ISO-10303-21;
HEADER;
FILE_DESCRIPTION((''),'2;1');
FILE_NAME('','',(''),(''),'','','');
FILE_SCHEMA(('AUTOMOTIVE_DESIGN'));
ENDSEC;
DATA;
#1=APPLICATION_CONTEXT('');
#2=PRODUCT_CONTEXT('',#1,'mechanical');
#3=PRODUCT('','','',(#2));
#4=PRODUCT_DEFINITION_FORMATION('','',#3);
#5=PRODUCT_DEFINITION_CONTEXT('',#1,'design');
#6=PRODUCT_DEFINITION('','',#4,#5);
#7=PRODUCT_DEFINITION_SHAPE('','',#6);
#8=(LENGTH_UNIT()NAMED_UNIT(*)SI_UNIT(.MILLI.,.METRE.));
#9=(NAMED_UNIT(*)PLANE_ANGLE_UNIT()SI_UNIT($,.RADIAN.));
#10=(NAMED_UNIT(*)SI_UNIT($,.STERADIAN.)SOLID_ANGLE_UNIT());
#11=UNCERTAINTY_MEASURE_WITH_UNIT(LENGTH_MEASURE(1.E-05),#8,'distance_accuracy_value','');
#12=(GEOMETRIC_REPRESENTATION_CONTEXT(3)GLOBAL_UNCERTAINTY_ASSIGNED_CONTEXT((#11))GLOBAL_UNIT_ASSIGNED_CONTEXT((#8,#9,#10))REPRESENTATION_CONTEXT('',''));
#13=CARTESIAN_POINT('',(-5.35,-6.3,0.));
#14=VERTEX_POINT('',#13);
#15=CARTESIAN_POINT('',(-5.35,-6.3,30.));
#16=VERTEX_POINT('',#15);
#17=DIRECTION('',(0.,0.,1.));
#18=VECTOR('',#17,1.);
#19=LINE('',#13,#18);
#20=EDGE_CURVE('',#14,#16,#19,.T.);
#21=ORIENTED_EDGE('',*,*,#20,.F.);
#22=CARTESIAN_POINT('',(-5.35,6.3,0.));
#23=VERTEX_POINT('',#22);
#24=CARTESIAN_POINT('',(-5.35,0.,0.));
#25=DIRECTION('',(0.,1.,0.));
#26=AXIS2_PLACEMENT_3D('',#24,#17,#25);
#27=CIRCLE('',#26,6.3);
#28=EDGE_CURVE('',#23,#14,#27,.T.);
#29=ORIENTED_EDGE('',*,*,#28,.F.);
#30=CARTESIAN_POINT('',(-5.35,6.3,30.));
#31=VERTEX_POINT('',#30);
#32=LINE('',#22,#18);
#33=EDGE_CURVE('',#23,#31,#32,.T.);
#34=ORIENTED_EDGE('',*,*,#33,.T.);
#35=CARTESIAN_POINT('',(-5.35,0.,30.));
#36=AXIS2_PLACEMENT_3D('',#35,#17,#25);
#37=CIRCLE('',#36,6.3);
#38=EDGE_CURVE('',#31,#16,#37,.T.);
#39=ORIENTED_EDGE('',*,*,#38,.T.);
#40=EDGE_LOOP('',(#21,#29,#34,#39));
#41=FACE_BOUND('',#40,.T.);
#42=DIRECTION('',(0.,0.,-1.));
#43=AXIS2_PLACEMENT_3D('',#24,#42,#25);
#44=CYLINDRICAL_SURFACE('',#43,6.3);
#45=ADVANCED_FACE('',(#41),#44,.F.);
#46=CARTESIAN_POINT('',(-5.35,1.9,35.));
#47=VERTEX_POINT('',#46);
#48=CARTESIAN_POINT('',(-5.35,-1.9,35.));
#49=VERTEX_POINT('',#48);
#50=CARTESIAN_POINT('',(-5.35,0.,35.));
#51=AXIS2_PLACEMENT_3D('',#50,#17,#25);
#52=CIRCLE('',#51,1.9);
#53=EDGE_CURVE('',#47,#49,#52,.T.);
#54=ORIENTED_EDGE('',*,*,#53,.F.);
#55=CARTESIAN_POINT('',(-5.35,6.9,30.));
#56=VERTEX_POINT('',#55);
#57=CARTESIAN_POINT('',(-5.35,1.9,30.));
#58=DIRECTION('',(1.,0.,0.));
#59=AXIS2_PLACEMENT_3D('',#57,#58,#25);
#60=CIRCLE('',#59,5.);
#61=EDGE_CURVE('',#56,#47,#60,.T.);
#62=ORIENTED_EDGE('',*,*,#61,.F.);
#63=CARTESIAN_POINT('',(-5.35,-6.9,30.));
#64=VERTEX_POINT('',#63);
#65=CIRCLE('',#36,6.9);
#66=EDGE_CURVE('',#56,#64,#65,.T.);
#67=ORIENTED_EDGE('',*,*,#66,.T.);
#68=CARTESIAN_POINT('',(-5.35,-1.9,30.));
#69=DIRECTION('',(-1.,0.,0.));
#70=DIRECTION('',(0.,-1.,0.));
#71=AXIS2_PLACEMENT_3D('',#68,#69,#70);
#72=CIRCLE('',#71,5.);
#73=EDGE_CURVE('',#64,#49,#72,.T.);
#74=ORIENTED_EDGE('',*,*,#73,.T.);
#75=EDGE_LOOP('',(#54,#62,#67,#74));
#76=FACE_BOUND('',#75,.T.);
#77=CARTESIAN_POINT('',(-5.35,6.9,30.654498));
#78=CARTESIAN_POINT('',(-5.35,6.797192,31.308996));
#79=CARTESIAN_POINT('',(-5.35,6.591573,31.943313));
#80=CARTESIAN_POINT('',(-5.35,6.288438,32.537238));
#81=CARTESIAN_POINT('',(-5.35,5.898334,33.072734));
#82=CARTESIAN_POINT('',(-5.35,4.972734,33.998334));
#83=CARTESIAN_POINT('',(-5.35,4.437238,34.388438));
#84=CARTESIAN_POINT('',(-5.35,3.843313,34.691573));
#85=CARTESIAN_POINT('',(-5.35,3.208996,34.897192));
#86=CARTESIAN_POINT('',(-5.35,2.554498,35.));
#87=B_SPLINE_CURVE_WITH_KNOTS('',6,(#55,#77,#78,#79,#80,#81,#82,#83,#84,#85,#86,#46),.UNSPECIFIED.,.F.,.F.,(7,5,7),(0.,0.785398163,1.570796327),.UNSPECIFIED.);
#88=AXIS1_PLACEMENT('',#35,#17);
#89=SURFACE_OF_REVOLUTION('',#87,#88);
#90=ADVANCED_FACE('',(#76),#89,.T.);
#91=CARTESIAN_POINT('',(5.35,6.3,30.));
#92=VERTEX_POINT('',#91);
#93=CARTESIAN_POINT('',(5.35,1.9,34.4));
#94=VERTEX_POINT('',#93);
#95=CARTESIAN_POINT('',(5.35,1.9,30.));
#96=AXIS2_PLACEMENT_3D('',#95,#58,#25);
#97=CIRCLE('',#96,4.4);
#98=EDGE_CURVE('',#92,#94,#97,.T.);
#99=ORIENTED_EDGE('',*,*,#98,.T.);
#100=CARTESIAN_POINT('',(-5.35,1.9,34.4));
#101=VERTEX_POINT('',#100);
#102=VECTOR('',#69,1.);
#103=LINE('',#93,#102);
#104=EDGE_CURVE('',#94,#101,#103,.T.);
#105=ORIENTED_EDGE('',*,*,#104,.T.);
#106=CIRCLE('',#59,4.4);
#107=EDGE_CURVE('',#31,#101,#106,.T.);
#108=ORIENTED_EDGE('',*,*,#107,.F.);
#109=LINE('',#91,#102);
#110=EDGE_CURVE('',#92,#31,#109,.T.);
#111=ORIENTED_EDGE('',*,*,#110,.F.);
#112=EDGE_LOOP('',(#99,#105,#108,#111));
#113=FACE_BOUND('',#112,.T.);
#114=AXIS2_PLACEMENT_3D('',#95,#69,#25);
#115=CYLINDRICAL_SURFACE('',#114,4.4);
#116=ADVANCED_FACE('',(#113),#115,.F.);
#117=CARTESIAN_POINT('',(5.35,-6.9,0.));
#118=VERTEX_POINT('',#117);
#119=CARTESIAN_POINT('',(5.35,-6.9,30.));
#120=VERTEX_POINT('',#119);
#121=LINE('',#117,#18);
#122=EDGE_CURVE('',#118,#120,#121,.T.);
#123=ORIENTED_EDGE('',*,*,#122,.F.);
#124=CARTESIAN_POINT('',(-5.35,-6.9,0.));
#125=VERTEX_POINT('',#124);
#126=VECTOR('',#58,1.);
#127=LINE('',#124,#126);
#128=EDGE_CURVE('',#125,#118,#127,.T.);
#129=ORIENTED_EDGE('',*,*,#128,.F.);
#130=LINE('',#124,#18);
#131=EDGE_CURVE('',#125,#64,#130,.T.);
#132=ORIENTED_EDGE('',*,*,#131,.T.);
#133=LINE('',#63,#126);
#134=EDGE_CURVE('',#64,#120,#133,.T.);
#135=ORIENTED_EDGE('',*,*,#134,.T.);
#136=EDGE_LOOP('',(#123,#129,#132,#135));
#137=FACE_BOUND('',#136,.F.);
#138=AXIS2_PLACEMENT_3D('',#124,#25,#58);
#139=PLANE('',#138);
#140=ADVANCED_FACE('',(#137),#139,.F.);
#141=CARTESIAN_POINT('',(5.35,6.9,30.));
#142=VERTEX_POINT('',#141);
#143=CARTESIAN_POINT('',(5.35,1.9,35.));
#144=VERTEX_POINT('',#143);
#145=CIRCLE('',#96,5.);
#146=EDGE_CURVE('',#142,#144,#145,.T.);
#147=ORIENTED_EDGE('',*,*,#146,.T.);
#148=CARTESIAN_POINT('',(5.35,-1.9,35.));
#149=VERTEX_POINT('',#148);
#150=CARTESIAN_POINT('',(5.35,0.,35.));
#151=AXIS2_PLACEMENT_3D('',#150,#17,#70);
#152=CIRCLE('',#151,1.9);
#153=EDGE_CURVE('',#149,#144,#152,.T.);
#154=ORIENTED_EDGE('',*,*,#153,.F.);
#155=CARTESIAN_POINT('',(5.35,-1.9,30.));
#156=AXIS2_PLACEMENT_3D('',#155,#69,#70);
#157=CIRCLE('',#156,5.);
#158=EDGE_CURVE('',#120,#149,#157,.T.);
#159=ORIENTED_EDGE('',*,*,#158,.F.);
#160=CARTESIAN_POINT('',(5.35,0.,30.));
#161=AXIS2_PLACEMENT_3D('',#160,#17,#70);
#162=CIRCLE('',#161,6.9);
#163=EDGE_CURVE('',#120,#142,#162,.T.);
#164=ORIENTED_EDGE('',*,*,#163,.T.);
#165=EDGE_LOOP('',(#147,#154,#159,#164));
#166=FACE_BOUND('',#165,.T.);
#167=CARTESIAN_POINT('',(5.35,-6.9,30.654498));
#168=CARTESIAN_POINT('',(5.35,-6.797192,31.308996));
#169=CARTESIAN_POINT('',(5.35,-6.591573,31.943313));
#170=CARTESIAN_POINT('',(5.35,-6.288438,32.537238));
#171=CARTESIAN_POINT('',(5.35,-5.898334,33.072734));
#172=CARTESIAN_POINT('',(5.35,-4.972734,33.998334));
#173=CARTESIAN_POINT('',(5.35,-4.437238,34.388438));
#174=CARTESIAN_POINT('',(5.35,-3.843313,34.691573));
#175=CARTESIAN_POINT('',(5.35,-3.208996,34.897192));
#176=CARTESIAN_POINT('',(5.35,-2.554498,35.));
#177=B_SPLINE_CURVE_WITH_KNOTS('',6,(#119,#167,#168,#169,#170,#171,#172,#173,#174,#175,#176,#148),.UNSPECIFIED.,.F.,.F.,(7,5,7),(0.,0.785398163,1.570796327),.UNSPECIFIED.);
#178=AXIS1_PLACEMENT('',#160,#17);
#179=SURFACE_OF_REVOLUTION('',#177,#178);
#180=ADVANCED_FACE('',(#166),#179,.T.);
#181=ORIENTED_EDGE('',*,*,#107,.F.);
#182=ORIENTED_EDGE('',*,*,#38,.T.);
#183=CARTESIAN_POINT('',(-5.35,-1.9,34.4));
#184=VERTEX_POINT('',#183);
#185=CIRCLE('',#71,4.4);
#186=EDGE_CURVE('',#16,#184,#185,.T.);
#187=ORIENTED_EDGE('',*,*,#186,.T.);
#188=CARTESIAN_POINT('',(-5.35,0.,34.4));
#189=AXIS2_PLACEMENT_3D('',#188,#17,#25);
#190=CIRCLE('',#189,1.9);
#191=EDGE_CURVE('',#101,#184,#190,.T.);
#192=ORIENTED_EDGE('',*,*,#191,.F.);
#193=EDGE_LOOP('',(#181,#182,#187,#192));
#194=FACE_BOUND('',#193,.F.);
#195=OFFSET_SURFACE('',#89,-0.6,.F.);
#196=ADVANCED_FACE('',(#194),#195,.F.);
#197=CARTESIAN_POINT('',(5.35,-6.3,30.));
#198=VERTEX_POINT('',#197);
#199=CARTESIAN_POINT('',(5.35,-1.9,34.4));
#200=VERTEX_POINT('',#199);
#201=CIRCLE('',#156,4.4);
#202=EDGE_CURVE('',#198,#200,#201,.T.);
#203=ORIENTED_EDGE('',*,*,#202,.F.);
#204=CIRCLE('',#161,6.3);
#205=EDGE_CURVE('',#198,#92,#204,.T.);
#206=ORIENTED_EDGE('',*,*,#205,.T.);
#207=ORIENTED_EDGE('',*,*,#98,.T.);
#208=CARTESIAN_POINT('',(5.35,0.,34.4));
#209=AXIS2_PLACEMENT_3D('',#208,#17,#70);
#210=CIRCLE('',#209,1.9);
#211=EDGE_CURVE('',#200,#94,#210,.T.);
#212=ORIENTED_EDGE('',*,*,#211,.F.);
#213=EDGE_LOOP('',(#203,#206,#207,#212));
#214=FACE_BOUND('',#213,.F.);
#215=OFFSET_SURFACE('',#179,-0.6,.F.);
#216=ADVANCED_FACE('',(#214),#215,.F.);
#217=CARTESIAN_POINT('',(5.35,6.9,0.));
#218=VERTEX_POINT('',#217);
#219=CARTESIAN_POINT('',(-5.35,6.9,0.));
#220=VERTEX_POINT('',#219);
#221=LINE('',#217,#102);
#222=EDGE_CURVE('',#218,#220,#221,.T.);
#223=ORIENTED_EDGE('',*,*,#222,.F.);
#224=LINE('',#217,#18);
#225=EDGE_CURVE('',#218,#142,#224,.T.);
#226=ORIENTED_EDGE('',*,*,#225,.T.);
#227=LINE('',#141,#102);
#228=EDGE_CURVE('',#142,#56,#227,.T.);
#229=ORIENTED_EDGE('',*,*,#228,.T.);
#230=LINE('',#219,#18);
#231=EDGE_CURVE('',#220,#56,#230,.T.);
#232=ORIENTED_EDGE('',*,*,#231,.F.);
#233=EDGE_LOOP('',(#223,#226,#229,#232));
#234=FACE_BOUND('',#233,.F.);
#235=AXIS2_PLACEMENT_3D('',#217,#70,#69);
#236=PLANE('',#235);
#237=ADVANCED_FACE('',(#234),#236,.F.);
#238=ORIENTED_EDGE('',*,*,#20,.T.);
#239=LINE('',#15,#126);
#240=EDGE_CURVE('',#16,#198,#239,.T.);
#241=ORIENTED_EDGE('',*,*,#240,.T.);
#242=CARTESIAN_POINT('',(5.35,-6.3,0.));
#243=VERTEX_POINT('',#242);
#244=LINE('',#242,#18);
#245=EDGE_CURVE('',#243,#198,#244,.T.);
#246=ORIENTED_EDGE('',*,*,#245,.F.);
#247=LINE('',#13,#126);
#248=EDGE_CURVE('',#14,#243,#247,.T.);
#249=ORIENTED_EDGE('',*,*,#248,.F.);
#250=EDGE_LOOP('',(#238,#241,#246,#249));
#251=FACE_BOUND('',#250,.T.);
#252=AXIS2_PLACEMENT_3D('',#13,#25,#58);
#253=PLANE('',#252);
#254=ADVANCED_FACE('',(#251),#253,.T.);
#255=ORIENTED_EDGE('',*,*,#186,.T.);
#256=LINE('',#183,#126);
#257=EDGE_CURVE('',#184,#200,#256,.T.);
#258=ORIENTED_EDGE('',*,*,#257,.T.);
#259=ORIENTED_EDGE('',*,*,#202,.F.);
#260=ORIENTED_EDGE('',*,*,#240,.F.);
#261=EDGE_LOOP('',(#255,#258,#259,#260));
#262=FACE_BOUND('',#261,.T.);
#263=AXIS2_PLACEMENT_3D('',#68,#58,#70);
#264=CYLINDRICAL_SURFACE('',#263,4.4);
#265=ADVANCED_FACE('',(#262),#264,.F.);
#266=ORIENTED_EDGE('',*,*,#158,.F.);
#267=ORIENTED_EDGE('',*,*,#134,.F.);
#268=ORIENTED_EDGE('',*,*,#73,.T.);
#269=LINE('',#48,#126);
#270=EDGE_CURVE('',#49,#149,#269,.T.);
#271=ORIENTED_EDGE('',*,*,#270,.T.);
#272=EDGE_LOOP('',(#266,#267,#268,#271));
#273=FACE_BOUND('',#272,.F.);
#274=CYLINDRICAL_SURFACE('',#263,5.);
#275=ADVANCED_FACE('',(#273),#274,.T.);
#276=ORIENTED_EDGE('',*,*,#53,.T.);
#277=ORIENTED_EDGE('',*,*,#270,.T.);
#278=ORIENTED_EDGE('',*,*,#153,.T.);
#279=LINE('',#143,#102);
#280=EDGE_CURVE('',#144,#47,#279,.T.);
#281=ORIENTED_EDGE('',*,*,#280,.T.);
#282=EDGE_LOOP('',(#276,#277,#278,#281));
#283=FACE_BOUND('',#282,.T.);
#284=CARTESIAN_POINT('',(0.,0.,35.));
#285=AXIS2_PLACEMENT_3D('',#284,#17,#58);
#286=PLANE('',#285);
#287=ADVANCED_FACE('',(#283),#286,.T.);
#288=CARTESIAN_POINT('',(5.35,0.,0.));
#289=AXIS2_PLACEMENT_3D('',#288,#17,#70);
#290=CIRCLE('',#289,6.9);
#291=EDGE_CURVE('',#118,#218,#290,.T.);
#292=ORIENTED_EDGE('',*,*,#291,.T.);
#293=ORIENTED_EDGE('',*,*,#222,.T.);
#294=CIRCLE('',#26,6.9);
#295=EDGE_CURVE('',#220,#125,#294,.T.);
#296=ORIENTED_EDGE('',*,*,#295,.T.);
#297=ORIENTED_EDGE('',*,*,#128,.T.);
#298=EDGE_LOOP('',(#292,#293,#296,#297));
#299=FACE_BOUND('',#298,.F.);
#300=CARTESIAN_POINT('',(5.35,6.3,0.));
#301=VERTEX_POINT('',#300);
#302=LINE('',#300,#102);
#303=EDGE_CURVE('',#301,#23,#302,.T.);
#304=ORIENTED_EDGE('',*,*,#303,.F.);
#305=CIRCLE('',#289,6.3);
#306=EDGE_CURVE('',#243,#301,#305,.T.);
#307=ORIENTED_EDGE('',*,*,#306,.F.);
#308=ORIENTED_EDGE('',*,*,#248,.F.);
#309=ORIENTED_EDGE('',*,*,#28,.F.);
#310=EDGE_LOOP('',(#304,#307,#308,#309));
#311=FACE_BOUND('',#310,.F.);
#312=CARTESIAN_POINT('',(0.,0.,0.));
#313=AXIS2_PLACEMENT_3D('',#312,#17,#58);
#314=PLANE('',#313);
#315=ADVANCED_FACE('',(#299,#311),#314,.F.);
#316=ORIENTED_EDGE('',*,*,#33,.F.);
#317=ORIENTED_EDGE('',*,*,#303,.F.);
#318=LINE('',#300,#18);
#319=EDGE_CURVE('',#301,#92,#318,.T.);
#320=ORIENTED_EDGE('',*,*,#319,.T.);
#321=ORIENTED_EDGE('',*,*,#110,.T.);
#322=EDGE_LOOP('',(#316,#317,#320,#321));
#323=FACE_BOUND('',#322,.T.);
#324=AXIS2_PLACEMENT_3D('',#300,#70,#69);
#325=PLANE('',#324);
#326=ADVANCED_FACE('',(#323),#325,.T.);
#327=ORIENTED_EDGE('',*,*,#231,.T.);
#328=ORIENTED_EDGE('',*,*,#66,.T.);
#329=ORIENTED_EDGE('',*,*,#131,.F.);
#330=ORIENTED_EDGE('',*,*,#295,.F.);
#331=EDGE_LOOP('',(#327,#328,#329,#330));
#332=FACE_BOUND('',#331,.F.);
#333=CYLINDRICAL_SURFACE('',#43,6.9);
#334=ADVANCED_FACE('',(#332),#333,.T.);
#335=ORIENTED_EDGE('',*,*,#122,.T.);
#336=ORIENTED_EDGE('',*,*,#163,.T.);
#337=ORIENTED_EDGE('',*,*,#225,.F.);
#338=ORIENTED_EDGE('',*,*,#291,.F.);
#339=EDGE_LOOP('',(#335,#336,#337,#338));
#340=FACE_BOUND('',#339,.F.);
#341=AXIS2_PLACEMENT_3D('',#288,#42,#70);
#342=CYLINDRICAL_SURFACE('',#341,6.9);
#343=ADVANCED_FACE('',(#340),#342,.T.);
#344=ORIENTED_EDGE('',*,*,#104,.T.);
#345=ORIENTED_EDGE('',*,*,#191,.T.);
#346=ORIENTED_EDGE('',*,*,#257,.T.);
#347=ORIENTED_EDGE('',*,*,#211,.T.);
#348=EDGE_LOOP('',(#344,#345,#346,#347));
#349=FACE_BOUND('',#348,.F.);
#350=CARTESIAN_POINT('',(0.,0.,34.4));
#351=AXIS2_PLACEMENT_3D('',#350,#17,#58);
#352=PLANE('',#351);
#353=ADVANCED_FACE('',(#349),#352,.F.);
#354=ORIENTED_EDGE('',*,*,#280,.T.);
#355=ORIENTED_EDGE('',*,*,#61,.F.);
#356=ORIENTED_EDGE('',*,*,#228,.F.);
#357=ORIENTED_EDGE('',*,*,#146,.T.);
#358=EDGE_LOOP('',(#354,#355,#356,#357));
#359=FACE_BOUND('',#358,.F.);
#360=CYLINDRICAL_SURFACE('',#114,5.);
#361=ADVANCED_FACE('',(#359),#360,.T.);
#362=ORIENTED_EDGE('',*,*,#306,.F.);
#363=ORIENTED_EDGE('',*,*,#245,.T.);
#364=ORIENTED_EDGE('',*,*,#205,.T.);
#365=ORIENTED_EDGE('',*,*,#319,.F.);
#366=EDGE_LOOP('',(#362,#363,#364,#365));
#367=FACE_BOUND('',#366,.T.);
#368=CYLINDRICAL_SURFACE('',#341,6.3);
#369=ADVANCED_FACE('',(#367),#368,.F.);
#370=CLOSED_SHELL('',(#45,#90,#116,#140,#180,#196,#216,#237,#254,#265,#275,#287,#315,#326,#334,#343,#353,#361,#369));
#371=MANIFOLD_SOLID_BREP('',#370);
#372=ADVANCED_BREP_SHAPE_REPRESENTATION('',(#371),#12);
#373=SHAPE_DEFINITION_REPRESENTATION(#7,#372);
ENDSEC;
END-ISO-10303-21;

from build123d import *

# Parameters (mm, degrees)
F1_DEPTH = 35
F2_R     = 5
F3_T     = -0.6


with BuildPart() as f1:
    # F0 (on Top) → F1 (new body)
    with BuildSketch(Plane.XY):
        with BuildLine():
            Line((5.35, 6.9), (-5.35, 6.9))
            ThreePointArc((-5.35, 6.9), (-12.25, 0), (-5.35, -6.9))
            Line((-5.35, -6.9), (5.35, -6.9))
            ThreePointArc((5.35, -6.9), (12.25, 0), (5.35, 6.9))
        make_face()
    extrude(amount=F1_DEPTH)

    # F2
    f2_edges = [f1.edges().sort_by_distance(p)[0] for p in [
        (0, -6.9, 35),
    ]]
    fillet(f2_edges, radius=F2_R)

    # F3
    f3_openings = [f1.faces().sort_by_distance(p)[0] for p in [
        (0, 0, 0),
    ]]
    offset(amount=F3_T, openings=f3_openings)


solid = f1.part
